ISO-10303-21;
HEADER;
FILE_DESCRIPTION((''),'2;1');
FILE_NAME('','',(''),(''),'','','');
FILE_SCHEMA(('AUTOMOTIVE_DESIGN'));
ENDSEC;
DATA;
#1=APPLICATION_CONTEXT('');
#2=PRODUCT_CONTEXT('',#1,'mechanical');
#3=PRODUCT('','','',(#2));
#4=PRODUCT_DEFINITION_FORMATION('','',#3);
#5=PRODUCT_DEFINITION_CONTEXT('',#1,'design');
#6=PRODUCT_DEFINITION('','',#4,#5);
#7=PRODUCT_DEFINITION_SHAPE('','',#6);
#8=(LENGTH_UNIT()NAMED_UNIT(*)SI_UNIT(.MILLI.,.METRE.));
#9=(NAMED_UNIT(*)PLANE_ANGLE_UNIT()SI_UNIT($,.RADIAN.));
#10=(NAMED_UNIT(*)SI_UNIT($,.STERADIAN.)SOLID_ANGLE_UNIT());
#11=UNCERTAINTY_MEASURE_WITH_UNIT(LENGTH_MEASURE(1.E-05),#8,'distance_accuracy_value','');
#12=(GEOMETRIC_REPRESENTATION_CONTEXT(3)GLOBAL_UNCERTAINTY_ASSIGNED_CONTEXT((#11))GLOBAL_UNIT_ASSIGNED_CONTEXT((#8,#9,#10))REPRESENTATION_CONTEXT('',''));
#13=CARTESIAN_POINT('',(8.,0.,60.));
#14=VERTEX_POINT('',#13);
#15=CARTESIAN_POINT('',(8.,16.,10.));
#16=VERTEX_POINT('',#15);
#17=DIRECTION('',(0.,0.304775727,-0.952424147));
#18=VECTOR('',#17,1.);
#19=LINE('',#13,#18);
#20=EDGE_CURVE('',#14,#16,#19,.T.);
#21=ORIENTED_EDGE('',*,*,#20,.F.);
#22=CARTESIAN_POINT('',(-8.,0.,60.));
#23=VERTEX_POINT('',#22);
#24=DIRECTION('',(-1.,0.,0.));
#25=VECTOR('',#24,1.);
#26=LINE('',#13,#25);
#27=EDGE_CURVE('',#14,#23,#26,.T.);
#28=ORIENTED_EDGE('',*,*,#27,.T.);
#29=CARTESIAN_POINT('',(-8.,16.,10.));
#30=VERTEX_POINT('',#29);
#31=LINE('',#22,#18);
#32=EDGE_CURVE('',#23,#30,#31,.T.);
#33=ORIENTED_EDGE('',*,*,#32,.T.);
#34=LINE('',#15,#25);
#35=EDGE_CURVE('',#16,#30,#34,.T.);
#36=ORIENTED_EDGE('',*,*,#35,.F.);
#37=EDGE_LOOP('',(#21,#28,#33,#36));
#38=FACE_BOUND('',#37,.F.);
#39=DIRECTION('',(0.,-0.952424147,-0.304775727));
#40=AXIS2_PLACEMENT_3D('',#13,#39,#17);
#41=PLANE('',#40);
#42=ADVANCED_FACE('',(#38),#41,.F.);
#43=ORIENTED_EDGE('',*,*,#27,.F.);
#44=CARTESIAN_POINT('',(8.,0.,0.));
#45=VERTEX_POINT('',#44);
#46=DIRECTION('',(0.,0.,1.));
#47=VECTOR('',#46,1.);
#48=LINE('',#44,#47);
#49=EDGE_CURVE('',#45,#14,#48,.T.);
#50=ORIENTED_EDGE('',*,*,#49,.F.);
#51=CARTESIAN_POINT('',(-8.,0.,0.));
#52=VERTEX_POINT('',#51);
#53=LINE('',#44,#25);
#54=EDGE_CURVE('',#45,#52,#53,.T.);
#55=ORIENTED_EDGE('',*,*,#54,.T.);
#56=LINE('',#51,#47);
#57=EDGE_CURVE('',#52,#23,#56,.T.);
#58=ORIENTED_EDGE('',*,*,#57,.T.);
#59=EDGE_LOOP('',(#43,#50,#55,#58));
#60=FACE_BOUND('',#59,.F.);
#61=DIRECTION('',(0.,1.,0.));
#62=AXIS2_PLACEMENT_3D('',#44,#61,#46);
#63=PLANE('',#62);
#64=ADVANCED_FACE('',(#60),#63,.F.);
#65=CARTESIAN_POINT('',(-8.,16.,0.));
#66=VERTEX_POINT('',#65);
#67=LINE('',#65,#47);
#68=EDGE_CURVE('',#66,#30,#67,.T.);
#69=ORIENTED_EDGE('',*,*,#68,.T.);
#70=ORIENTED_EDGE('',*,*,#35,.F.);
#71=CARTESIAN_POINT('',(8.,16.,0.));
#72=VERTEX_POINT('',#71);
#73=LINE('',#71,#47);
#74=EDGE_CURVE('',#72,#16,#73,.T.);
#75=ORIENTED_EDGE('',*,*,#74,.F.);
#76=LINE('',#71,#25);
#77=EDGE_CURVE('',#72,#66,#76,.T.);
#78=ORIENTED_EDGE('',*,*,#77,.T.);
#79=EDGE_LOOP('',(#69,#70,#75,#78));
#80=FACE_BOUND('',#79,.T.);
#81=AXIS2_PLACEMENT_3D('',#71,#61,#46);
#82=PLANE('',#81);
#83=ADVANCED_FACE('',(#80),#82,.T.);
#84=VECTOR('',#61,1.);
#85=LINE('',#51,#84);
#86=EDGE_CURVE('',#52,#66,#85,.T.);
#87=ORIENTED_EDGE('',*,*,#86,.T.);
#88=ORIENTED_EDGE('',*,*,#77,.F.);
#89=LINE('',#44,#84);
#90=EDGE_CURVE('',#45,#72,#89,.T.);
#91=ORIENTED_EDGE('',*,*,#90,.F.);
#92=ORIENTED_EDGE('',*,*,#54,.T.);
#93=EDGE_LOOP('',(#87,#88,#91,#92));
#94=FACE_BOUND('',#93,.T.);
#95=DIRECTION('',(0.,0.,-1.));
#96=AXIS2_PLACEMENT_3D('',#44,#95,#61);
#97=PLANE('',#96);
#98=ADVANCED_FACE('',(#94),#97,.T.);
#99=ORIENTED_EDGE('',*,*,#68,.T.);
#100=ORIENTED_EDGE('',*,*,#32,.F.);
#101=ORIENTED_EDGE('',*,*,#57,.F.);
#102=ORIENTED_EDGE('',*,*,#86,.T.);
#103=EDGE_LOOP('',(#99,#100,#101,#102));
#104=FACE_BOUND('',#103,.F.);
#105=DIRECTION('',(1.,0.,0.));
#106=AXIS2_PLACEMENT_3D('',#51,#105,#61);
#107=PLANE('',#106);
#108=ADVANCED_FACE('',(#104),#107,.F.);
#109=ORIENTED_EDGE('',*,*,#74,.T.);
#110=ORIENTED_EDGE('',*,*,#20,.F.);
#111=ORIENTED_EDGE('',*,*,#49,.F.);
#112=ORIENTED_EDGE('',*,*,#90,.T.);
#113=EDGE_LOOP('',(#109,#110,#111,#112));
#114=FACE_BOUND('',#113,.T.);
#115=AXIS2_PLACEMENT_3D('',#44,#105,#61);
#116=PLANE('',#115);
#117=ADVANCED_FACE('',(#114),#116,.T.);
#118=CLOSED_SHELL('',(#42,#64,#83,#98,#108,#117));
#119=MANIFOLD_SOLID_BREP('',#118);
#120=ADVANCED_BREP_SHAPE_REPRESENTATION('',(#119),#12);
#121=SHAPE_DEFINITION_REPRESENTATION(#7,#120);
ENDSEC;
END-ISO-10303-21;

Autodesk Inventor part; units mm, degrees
ref_plane "XZ Plane" through (0, 0, 0) normal (0, 1, 0) x (-1, 0, 0)
ref_plane "XY Plane" through (0, 0, 0) normal (0, 0, 1) x (1, 0, 0)
ref_plane "Work Plane1" through (8, 0, 0) normal (1, 0, 0) x (0, 1, 0)
sketch "Sketch1" plane through (8, 0, 0) normal (1, 0, 0) x (0, 1, 0)
  line L0 (0, 0) -> (16, 0)
  line L1 (16, 0) -> (16, 10)
  line L2 (0, 0) -> (0, 60)
  line L3 (0, 60) -> (16, 10)
  dimension "d1" = 16
  dimension "d2" = 10
  dimension "d3" = 60
extrude "Extrusion1" add sketch "Sketch1" against normal blind 16
properties part number "Wedge Design"
